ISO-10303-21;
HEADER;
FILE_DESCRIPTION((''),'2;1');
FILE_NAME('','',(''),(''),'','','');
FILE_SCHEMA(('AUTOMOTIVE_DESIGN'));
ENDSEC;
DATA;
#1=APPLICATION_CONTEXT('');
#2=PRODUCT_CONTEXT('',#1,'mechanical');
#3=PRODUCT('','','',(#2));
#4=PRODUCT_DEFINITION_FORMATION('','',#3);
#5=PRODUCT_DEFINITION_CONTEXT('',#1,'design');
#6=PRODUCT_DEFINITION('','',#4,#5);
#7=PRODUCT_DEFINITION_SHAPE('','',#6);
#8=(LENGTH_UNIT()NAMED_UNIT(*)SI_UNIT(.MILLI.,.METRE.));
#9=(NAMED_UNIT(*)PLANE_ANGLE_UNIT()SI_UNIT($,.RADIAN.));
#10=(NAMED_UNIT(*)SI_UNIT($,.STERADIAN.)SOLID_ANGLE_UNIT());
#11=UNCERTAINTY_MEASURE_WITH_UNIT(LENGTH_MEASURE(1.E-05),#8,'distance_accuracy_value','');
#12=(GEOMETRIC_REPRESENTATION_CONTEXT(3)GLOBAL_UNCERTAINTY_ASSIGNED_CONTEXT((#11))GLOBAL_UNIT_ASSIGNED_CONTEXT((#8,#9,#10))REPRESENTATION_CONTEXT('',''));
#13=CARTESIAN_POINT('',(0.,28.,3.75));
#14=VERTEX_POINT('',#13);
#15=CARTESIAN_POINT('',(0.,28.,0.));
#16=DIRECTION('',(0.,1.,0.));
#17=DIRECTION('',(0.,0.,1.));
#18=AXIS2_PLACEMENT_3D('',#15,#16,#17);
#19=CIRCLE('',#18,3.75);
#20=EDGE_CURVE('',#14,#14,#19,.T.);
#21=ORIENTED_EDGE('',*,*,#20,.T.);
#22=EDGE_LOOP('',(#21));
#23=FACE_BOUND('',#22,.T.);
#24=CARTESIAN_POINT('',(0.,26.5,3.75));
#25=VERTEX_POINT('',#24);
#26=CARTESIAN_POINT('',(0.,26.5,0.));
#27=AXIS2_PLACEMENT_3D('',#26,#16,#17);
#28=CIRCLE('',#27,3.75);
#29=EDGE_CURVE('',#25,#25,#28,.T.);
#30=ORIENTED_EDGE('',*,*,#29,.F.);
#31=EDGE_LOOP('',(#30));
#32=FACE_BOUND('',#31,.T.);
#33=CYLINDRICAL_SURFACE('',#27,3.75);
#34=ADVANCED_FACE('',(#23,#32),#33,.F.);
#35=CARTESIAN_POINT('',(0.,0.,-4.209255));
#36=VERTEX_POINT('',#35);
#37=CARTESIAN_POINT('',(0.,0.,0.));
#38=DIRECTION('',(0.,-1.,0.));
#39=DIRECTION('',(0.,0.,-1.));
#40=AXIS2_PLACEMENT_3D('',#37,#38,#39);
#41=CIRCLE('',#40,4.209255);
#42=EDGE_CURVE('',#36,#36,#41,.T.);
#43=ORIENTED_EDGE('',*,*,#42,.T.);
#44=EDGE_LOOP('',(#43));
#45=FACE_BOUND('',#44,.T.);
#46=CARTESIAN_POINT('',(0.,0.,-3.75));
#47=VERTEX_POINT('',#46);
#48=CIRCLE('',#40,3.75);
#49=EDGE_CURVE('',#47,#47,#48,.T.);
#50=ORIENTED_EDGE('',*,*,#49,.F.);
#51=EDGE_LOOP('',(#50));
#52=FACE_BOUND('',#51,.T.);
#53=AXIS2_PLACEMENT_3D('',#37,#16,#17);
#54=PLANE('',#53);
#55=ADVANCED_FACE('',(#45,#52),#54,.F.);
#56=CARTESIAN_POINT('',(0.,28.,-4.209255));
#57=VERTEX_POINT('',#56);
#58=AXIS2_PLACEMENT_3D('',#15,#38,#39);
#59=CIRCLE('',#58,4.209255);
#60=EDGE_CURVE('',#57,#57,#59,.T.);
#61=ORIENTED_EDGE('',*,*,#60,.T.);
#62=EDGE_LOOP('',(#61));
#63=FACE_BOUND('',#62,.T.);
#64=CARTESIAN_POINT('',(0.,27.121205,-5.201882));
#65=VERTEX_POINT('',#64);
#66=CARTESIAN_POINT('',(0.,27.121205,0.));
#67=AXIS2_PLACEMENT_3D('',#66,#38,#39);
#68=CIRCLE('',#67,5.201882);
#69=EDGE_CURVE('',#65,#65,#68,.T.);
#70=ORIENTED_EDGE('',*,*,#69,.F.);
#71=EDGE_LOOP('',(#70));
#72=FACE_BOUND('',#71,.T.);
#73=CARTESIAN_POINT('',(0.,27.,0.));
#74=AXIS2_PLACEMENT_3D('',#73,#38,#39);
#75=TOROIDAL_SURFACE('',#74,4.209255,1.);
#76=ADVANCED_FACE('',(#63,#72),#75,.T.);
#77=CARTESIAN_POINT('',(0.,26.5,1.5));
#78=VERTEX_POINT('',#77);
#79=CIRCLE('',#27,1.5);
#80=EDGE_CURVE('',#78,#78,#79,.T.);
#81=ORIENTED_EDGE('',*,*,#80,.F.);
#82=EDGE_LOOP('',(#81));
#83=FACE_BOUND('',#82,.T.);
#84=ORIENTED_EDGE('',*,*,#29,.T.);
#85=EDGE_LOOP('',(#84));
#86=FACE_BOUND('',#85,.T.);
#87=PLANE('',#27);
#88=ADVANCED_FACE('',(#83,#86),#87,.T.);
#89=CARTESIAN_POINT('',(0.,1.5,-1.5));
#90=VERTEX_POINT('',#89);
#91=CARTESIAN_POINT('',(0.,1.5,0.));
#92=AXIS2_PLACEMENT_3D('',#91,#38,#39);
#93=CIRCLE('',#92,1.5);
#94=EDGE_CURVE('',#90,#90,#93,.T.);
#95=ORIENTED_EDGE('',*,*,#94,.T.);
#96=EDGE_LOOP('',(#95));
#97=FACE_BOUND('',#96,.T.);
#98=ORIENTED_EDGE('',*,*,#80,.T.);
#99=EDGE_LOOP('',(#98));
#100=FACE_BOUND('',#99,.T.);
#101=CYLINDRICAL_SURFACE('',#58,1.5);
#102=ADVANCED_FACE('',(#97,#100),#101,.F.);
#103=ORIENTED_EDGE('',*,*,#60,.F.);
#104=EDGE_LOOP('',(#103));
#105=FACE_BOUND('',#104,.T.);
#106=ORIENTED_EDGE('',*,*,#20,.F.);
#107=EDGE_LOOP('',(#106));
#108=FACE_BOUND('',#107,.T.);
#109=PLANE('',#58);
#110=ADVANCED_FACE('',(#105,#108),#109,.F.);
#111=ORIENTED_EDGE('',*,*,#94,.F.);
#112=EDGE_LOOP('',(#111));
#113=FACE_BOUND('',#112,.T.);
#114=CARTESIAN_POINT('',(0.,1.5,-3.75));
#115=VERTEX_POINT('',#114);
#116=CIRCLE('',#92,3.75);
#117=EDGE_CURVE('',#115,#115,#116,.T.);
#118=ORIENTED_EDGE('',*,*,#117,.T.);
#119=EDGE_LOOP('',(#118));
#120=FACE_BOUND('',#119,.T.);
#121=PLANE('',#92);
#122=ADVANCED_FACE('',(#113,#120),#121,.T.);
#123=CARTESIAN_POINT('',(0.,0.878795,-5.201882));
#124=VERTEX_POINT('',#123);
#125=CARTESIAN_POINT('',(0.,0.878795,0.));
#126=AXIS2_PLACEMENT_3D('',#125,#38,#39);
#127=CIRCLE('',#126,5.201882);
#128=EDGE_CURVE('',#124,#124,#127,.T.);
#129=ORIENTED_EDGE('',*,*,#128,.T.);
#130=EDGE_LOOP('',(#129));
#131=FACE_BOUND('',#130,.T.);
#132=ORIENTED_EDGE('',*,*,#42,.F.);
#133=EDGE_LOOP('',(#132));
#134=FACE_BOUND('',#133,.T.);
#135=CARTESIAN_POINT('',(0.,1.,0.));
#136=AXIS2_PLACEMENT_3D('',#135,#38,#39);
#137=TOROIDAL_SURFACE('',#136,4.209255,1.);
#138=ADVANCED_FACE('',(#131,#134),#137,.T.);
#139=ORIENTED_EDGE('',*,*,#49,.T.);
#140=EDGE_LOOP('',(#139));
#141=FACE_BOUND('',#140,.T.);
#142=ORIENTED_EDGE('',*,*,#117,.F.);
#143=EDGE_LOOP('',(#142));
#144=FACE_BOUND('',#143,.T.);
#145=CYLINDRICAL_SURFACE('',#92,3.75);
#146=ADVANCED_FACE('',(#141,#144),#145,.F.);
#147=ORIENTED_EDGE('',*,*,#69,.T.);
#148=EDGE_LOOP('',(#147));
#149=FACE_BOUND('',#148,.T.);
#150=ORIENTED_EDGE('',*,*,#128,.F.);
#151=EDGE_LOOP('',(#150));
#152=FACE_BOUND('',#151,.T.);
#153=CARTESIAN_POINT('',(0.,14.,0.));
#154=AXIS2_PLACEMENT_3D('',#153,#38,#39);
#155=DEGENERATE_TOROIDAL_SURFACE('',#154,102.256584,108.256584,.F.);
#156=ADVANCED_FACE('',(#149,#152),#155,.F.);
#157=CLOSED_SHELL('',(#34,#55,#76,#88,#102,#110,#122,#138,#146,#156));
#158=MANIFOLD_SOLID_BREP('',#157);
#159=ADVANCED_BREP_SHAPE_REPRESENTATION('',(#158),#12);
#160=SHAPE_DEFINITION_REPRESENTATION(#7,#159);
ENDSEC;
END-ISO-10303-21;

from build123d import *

# Parameters (mm, degrees)
SKETCH2_R          = 3.75
CUT_EXTRUDE1_DEPTH = 1.5
SKETCH3_R          = 3.75
CUT_EXTRUDE2_DEPTH = 1.5
SKETCH4_R          = 1.5
CUT_EXTRUDE3_DEPTH = 27.5


with BuildPart() as part:
    # Sketch1 → Revolve1 (revolve)
    with BuildSketch(Plane.XY):
        with BuildLine():
            Line((0, 0), (-4.209254706, 0))
            ThreePointArc((-4.209254706, 0), (-4.872125478, 0.251266175), (-5.201882242, 0.87879532))
            ThreePointArc((-5.201882242, 0.87879532), (-6, 14), (-5.201882242, 27.12120468))
            ThreePointArc((-5.201882242, 27.12120468), (-4.872125478, 27.748733825), (-4.209254706, 28))
            Line((-4.209254706, 28), (0, 28))
            Line((0, 28), (0, 0))
        make_face()
    revolve(axis=Axis((0, 0, 0), (0, 1, 0)))

    # Sketch2 → Cut-Extrude1 (cut)
    with BuildSketch(Plane(origin=(0, 28, 0), x_dir=(1, 0, 0), z_dir=(0, 1, 0))):
        Circle(SKETCH2_R)
    extrude(amount=-CUT_EXTRUDE1_DEPTH, mode=Mode.SUBTRACT)

    # Sketch3 → Cut-Extrude2 (cut)
    with BuildSketch(Plane.XZ):
        Circle(SKETCH3_R)
    extrude(amount=-CUT_EXTRUDE2_DEPTH, mode=Mode.SUBTRACT)

    # Sketch4 → Cut-Extrude3 (cut, through all)
    with BuildSketch(Plane(origin=(0, 1.5, 0), x_dir=(-1, 0, 0), z_dir=(0, -1, 0))):
        Circle(SKETCH4_R)
    extrude(amount=-CUT_EXTRUDE3_DEPTH, mode=Mode.SUBTRACT)


solid = part.part
